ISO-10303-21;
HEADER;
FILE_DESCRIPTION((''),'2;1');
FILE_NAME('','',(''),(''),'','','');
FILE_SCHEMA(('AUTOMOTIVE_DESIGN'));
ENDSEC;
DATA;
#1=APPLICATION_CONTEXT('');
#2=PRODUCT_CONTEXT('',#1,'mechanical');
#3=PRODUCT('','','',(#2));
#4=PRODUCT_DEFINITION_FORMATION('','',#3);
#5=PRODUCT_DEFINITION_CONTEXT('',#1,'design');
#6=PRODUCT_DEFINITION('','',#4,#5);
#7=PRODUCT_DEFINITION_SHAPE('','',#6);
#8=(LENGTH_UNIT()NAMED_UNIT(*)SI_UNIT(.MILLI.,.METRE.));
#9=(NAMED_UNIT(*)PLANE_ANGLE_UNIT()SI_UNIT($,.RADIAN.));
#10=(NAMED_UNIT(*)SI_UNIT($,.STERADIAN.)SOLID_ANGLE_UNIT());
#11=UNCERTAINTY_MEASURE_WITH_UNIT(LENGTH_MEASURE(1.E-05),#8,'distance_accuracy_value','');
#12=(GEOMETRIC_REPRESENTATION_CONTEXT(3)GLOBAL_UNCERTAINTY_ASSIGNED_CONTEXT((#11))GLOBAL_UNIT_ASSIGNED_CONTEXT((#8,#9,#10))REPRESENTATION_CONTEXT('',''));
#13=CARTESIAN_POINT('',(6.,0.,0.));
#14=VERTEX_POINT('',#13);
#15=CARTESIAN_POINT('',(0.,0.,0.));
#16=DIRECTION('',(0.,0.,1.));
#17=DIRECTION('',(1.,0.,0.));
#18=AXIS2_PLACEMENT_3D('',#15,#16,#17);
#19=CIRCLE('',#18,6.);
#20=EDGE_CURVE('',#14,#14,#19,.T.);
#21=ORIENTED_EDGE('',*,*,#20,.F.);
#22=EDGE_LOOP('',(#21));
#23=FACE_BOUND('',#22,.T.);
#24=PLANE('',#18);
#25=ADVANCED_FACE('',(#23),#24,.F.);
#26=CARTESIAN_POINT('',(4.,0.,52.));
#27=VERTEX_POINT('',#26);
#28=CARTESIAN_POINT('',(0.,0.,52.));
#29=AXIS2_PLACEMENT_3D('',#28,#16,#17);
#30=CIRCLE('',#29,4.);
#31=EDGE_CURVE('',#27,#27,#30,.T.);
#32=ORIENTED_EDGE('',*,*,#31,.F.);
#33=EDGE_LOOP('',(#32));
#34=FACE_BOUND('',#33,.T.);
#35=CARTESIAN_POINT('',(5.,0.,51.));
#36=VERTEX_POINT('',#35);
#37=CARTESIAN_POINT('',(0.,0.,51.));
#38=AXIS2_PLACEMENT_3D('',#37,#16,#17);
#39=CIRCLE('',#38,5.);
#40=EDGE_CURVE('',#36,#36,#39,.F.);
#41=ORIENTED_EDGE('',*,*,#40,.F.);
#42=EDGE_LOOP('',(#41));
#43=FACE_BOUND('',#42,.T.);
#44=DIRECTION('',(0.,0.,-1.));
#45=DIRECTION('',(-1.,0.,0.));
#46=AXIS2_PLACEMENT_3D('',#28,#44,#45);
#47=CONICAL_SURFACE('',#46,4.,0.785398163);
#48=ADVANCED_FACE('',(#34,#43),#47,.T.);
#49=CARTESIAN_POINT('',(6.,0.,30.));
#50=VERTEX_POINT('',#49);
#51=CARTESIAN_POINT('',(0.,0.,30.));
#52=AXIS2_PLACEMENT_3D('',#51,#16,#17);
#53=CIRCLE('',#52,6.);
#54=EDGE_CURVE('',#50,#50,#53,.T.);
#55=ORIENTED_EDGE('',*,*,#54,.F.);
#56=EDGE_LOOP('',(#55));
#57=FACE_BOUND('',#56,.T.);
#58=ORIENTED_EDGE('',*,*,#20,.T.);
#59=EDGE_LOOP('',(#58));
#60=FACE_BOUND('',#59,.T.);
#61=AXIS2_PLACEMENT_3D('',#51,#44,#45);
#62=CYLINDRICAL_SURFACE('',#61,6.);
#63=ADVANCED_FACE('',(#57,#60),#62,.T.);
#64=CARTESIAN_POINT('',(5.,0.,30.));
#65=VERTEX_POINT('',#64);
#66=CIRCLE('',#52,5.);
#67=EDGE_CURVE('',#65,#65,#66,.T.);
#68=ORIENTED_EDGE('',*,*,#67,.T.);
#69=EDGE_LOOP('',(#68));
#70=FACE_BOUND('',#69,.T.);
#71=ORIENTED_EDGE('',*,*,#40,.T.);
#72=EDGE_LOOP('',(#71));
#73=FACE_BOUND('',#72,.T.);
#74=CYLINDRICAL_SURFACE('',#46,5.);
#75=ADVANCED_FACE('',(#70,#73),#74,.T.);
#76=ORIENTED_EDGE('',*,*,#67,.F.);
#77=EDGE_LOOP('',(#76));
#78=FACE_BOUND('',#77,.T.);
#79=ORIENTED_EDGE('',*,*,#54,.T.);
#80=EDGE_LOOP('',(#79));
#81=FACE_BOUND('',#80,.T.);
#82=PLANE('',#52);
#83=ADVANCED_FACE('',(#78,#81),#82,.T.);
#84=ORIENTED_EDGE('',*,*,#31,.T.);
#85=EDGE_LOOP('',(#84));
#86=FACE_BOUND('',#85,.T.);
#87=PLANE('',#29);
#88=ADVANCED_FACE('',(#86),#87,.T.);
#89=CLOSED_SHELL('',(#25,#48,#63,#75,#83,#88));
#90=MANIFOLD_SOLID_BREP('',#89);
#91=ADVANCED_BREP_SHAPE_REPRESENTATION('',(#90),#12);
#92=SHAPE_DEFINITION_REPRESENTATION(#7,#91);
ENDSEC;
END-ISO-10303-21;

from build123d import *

# Parameters (mm, degrees)
CROQUIS1_R              = 6
SALIENTE_EXTRUIR1_DEPTH = 30
CROQUIS2_R              = 5
SALIENTE_EXTRUIR2_DEPTH = 22
CHAFL_N1_SIZE           = 1


with BuildPart() as part:
    # Croquis1 → Saliente-Extruir1 (new body)
    with BuildSketch(Plane.XY):
        Circle(CROQUIS1_R)
    extrude(amount=SALIENTE_EXTRUIR1_DEPTH)

    # Croquis2 → Saliente-Extruir2 (add)
    with BuildSketch(Plane.XY.offset(30)):
        Circle(CROQUIS2_R)
    extrude(amount=SALIENTE_EXTRUIR2_DEPTH)

    # Chaflán1
    chafl_n1_edges = [part.edges().sort_by_distance(p)[0] for p in [
        (-5, 0, 52),
    ]]
    chamfer(chafl_n1_edges, length=CHAFL_N1_SIZE)


solid = part.part
